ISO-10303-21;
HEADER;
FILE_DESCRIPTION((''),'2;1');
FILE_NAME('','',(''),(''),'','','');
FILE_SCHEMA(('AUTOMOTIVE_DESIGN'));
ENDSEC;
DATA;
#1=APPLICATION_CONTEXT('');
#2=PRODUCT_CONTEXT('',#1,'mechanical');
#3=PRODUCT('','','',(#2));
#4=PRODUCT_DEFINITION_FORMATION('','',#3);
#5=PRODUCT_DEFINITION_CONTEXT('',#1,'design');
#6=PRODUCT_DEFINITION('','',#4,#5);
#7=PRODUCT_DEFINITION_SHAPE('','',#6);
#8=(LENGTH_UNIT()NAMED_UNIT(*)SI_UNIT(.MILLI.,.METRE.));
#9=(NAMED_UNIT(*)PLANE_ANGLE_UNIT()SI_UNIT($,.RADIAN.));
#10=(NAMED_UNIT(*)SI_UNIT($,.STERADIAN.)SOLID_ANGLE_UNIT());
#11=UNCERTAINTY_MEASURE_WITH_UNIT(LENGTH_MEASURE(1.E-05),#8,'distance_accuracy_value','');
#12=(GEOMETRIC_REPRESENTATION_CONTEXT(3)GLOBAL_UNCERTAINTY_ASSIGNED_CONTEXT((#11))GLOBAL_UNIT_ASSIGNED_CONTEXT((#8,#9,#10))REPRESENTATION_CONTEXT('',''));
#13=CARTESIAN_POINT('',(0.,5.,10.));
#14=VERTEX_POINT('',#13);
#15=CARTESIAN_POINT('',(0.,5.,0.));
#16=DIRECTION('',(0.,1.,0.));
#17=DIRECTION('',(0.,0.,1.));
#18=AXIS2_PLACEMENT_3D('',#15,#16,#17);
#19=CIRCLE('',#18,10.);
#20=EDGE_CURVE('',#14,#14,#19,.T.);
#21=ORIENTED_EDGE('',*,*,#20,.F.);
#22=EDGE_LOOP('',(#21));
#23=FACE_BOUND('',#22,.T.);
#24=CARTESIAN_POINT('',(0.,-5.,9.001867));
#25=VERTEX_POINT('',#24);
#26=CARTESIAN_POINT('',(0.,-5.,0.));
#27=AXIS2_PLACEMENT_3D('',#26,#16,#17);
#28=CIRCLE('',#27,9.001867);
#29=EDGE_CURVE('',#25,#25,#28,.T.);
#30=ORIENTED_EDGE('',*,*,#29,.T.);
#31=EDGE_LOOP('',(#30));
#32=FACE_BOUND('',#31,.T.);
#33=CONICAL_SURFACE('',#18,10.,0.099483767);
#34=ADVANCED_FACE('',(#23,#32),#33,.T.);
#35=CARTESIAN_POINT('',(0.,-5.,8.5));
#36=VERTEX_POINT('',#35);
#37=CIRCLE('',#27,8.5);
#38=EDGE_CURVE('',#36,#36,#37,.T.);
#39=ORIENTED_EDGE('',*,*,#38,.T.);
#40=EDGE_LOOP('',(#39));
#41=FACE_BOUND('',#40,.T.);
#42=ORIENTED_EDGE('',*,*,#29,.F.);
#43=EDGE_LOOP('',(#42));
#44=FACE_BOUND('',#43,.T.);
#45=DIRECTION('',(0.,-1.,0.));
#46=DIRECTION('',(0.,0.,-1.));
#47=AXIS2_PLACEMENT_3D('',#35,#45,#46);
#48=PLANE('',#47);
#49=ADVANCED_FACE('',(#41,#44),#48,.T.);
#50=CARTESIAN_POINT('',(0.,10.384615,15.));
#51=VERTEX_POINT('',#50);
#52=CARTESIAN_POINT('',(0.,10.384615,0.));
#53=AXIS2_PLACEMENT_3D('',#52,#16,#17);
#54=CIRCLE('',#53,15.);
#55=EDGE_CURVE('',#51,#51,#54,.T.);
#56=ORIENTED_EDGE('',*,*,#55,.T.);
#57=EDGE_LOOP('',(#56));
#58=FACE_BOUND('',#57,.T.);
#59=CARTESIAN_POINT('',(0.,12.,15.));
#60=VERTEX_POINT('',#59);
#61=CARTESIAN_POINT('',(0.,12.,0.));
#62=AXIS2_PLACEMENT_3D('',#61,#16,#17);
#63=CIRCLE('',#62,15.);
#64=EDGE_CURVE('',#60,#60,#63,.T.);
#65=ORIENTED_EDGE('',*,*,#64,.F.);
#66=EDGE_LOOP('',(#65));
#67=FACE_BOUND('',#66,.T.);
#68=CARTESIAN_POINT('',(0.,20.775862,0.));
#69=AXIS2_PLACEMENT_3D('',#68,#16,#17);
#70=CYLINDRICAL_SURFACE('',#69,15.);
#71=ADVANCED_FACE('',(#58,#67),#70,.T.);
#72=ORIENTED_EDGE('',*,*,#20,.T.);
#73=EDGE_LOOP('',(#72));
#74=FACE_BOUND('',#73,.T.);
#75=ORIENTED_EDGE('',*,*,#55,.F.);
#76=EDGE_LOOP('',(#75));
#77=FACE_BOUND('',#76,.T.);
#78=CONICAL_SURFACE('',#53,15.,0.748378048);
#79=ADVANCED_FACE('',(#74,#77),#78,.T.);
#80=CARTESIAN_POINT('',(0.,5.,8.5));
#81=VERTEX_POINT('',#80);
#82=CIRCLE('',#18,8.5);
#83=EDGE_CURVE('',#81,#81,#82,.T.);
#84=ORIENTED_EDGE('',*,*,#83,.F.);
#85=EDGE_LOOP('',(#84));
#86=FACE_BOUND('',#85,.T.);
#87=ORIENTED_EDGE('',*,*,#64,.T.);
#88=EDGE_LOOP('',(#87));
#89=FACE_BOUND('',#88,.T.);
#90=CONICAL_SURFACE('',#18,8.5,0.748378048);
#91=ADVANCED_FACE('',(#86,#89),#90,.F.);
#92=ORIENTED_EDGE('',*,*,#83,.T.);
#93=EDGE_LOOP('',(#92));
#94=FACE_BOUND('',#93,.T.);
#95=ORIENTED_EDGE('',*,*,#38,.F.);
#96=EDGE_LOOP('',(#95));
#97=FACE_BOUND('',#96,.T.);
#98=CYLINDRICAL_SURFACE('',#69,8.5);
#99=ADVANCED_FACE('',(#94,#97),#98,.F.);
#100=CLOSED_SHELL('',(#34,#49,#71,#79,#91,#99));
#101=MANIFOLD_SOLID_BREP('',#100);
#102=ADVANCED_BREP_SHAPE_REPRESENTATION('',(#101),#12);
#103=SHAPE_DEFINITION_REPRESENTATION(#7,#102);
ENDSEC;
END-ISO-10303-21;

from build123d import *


with BuildPart() as part:
    # Sketch1 → Revolve1 (revolve)
    with BuildSketch(Plane(origin=(0, 0, 0), x_dir=(0, 0, -1), z_dir=(1, 0, 0))):
        Polygon((-15, 10.384615385), (-10, 5), (-9.001867305, -5), (-8.5, -5), (-8.5, 5), (-15, 12), align=None)
    revolve(axis=Axis((0, 20.775862069, 0), (0, -1, 0)))


solid = part.part
